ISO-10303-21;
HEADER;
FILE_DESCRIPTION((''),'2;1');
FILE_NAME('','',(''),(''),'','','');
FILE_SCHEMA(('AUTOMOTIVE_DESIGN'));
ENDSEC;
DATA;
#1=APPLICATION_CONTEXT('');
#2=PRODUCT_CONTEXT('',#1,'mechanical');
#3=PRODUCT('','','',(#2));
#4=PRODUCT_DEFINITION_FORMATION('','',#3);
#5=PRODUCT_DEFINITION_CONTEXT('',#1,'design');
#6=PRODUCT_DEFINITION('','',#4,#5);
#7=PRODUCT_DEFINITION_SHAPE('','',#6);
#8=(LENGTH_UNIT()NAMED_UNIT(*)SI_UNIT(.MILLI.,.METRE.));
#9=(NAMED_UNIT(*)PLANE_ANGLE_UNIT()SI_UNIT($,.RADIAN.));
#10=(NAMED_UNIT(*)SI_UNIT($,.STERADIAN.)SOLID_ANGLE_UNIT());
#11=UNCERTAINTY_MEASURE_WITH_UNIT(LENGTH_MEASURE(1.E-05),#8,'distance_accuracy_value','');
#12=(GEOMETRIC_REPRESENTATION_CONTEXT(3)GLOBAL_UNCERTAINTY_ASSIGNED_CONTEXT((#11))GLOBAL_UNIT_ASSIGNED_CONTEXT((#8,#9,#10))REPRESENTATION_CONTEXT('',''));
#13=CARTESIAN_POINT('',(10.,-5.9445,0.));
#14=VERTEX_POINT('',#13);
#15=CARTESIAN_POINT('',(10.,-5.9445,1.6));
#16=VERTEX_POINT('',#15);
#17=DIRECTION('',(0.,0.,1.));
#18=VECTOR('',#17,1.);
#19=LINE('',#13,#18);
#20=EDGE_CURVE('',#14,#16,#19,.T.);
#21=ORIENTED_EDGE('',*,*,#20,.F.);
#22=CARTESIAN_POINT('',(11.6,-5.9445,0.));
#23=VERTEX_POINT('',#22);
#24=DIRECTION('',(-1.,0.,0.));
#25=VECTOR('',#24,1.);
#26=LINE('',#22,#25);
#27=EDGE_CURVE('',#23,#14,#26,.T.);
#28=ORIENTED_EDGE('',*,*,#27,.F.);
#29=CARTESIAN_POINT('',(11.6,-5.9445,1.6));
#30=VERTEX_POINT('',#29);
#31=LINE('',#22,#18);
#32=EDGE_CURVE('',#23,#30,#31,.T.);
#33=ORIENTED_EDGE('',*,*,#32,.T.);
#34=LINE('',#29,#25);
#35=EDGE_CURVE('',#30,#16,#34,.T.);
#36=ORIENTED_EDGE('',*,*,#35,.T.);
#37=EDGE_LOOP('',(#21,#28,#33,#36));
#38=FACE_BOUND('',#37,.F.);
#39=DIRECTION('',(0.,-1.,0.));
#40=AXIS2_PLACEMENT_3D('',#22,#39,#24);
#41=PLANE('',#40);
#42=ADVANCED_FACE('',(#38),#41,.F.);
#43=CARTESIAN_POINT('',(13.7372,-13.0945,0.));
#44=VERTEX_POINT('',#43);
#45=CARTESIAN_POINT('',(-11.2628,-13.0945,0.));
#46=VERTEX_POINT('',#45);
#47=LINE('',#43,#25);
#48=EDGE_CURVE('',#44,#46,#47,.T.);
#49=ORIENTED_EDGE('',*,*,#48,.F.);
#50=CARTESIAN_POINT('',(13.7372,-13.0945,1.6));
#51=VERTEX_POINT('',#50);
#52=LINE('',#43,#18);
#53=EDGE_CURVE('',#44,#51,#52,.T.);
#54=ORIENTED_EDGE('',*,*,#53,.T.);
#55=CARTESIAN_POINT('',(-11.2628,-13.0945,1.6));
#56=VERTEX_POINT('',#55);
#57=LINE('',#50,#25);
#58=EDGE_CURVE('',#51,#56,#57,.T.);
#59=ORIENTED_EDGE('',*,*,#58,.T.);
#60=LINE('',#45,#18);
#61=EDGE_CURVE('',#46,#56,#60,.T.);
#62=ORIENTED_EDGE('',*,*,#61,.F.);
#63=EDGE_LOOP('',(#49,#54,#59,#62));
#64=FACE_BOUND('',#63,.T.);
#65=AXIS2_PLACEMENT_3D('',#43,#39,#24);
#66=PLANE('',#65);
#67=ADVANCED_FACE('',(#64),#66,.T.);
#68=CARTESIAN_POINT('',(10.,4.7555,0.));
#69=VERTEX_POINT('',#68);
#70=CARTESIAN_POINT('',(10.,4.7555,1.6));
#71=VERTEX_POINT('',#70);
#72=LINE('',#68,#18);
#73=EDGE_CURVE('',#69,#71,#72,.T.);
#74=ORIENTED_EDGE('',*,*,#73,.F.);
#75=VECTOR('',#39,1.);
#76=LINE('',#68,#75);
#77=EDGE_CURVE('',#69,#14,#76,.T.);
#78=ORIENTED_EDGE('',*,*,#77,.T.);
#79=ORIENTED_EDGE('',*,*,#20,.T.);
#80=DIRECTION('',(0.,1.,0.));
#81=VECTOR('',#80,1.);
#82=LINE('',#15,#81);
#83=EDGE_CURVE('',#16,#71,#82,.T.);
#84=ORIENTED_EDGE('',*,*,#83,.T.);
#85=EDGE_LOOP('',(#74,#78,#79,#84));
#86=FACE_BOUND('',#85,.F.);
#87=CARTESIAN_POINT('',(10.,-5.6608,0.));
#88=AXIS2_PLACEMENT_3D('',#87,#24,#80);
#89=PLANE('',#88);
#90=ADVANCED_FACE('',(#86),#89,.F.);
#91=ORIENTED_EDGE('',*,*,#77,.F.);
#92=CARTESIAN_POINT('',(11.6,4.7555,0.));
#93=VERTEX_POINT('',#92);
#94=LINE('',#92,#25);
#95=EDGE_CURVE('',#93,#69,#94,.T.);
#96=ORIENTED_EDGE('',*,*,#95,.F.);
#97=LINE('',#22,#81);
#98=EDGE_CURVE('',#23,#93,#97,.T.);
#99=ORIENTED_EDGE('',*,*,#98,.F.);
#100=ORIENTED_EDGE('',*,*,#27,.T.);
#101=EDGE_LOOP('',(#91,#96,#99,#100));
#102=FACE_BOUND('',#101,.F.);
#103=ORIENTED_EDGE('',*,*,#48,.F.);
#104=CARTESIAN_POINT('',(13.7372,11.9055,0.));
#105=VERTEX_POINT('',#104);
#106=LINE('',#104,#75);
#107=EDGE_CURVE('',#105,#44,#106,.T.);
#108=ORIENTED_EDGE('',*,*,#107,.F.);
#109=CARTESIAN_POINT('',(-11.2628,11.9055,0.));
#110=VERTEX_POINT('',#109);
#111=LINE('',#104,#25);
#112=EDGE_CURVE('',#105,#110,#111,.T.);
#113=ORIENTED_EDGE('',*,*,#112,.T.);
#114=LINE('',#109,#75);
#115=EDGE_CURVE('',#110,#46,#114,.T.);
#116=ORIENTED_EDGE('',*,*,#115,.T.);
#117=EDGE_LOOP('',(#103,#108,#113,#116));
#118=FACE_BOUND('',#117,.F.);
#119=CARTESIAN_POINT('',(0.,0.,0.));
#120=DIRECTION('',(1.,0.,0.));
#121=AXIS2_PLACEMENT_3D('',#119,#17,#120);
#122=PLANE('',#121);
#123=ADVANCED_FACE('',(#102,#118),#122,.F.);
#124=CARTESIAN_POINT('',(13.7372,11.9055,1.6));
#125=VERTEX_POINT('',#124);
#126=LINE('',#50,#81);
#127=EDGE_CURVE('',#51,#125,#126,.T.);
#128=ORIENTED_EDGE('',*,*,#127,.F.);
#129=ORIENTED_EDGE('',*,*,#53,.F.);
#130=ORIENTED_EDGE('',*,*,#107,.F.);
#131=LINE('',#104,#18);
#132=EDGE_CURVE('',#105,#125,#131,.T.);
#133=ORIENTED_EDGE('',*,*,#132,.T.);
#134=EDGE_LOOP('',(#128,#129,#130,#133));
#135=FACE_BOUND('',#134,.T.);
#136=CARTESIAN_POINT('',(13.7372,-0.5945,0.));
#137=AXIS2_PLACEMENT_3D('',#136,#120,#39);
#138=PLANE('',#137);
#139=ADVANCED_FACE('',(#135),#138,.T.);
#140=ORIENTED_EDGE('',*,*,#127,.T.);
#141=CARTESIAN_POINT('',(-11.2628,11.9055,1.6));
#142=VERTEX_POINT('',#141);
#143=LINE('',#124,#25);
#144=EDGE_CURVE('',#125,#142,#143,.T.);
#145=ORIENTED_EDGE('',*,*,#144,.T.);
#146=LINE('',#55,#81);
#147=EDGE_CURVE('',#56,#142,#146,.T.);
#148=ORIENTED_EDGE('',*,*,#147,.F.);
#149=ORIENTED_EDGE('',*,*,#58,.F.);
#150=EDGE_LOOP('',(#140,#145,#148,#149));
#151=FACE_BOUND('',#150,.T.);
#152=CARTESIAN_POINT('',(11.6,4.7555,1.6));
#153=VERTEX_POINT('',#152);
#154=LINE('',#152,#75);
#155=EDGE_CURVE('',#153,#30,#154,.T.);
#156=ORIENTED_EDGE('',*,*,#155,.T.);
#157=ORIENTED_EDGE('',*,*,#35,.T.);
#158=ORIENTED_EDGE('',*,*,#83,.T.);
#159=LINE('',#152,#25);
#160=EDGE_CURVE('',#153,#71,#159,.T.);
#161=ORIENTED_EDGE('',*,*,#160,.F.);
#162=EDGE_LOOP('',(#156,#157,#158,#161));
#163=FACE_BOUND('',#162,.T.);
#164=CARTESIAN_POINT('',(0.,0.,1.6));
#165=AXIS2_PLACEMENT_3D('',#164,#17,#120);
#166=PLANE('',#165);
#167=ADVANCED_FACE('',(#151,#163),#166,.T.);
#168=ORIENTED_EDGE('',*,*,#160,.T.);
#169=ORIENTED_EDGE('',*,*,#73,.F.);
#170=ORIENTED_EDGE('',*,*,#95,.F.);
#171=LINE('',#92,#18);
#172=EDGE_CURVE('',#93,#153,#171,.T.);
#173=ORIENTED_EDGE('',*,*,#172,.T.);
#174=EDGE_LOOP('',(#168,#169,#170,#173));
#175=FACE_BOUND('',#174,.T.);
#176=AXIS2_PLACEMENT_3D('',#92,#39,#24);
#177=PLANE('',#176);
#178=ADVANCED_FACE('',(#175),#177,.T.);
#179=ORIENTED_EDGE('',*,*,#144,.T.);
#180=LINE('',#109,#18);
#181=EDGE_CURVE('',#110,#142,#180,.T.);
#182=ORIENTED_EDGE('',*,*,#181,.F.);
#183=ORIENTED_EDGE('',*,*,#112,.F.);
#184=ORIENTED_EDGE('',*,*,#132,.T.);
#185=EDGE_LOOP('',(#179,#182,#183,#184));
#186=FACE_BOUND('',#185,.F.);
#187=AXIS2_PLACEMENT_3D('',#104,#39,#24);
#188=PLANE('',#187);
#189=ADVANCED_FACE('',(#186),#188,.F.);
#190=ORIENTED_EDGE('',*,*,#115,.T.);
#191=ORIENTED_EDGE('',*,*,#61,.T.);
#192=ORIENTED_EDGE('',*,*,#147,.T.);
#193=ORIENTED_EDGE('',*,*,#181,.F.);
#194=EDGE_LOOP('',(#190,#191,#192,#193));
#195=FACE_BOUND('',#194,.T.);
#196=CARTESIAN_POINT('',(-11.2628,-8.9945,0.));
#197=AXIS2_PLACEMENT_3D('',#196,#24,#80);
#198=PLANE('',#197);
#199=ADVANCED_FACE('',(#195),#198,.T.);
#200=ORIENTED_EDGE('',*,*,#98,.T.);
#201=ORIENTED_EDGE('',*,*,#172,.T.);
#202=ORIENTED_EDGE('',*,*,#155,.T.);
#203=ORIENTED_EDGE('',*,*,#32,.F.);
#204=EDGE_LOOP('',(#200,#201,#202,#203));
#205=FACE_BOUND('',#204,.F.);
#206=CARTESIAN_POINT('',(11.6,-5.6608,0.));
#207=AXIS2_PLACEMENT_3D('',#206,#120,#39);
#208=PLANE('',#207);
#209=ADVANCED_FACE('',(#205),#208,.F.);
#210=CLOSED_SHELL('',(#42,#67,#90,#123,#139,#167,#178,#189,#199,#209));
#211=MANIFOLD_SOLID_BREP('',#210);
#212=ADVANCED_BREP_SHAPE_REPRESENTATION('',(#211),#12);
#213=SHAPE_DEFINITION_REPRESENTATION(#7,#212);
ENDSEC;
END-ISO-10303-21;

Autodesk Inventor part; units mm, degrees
ref_plane "YZ Plane" through (0, 0, 0) normal (1, 0, 0) x (0, 1, 0)
ref_plane "XZ Plane" through (0, 0, 0) normal (0, 1, 0) x (-1, 0, 0)
ref_plane "XY Plane" through (0, 0, 0) normal (0, 0, 1) x (1, 0, 0)
sketch "Sketch1" plane through (0, 0, 0) normal (0, 0, 1) x (1, 0, 0)
  line L0 (-11.2628, -8.9945) -> (-11.2628, -13.0945)
  line L1 (-11.2628, 11.9772) -> (-11.2628, 7.8772)
  line L2 (12.7, 5.5055) -> (12.7, -0.323) projected
  line L3 (12.7, -6.6945) -> (-7.3, -6.6945)
  line L4 (12.7, 5.5055) -> (-7.3, 5.5055)
  line L5 (-10.4, -1.4801) -> (-10.4, -2.591) projected
  line L6 (-10.4, 0.291) -> (-10.4, 1.4019) projected
  line L7 (12.7, -6.6945) -> (-10.4, -6.6945)
  line L8 (-10.4, -6.6945) -> (-10.4, 5.5055)
  line L9 (-10.4, 5.5055) -> (12.7, 5.5055)
  line L10 (12.7, 5.5055) -> (12.7, -6.6945)
  line L11 (12.7, 5.5055) -> (-11.2628, 5.5055)
  line L12 (-11.2628, 5.5055) -> (-11.2628, -6.6945)
  line L13 (-11.2628, -6.6945) -> (12.7, -6.6945)
  line L14 (12.7, -6.6945) -> (12.7, 5.5055)
  line L15 (-11.2628, -0.5945) -> (-12.5719, -0.5945)
  line L16 (-11.2628, -0.5945) -> (13.7372, -0.5945)
  line L17 (13.7372, -0.5945) -> (13.7372, -13.0945)
  line L18 (13.7372, -13.0945) -> (-11.2628, -13.0945)
  line L19 (-11.2628, -13.0945) -> (-11.2628, -0.5945)
  line L20 (13.7372, -0.5945) -> (13.7372, 11.9055)
  line L21 (13.7372, 11.9055) -> (-11.2628, 11.9055)
  line L22 (-11.2628, 11.9055) -> (-11.2628, -0.5945)
  line L23 (11.6, -5.6608) -> (10, -5.6608) projected
  line L24 (11.6, 5.0392) -> (10, 5.0392) projected
  line L25 (11.6, 5.0392) -> (11.6, -5.6608) projected
  line L26 (11.6, 5.0392) -> (10, 5.0392) projected
  line L27 (10, -5.6608) -> (10, 5.0392) projected
  line L28 (11.6, -5.6608) -> (10, -5.6608) projected
  line L29 (11.6, -0.5945) -> (11.6, -5.9445)
  line L30 (11.6, -5.9445) -> (10, -5.9445)
  line L31 (10, -5.9445) -> (10, -0.5945)
  line L32 (11.6, -0.5945) -> (11.6, 4.7555)
  line L33 (11.6, 4.7555) -> (10, 4.7555)
  line L34 (10, 4.7555) -> (10, -0.5945)
  point P0 (0, 0)
  point P1 (-11.2628, -6.6945)
  dimension "d2" = 23.9628
  dimension "d3" = 25
  dimension "d4" = 12.5
  dimension "d5" = 5.35
extrude "Extrusion1" add sketch "Sketch1" along normal blind 1.6 contours L19 L13 L7 L3 L10 L16 L17 L18 L0 | L12 L16 L8 L5 L13 | L12 L11 L8 L6 L16 | L8 L5 L16 L27 L31 L30 L29 L25 L10 L3 L7 | L16 L10 L2 L4 L9 L11 L22 L1 L21 L20 | L8 L6 L9 L4 L2 L10 L16 L25 L24 L27 | L27 L24 L25 L33
properties part number "pcb"
